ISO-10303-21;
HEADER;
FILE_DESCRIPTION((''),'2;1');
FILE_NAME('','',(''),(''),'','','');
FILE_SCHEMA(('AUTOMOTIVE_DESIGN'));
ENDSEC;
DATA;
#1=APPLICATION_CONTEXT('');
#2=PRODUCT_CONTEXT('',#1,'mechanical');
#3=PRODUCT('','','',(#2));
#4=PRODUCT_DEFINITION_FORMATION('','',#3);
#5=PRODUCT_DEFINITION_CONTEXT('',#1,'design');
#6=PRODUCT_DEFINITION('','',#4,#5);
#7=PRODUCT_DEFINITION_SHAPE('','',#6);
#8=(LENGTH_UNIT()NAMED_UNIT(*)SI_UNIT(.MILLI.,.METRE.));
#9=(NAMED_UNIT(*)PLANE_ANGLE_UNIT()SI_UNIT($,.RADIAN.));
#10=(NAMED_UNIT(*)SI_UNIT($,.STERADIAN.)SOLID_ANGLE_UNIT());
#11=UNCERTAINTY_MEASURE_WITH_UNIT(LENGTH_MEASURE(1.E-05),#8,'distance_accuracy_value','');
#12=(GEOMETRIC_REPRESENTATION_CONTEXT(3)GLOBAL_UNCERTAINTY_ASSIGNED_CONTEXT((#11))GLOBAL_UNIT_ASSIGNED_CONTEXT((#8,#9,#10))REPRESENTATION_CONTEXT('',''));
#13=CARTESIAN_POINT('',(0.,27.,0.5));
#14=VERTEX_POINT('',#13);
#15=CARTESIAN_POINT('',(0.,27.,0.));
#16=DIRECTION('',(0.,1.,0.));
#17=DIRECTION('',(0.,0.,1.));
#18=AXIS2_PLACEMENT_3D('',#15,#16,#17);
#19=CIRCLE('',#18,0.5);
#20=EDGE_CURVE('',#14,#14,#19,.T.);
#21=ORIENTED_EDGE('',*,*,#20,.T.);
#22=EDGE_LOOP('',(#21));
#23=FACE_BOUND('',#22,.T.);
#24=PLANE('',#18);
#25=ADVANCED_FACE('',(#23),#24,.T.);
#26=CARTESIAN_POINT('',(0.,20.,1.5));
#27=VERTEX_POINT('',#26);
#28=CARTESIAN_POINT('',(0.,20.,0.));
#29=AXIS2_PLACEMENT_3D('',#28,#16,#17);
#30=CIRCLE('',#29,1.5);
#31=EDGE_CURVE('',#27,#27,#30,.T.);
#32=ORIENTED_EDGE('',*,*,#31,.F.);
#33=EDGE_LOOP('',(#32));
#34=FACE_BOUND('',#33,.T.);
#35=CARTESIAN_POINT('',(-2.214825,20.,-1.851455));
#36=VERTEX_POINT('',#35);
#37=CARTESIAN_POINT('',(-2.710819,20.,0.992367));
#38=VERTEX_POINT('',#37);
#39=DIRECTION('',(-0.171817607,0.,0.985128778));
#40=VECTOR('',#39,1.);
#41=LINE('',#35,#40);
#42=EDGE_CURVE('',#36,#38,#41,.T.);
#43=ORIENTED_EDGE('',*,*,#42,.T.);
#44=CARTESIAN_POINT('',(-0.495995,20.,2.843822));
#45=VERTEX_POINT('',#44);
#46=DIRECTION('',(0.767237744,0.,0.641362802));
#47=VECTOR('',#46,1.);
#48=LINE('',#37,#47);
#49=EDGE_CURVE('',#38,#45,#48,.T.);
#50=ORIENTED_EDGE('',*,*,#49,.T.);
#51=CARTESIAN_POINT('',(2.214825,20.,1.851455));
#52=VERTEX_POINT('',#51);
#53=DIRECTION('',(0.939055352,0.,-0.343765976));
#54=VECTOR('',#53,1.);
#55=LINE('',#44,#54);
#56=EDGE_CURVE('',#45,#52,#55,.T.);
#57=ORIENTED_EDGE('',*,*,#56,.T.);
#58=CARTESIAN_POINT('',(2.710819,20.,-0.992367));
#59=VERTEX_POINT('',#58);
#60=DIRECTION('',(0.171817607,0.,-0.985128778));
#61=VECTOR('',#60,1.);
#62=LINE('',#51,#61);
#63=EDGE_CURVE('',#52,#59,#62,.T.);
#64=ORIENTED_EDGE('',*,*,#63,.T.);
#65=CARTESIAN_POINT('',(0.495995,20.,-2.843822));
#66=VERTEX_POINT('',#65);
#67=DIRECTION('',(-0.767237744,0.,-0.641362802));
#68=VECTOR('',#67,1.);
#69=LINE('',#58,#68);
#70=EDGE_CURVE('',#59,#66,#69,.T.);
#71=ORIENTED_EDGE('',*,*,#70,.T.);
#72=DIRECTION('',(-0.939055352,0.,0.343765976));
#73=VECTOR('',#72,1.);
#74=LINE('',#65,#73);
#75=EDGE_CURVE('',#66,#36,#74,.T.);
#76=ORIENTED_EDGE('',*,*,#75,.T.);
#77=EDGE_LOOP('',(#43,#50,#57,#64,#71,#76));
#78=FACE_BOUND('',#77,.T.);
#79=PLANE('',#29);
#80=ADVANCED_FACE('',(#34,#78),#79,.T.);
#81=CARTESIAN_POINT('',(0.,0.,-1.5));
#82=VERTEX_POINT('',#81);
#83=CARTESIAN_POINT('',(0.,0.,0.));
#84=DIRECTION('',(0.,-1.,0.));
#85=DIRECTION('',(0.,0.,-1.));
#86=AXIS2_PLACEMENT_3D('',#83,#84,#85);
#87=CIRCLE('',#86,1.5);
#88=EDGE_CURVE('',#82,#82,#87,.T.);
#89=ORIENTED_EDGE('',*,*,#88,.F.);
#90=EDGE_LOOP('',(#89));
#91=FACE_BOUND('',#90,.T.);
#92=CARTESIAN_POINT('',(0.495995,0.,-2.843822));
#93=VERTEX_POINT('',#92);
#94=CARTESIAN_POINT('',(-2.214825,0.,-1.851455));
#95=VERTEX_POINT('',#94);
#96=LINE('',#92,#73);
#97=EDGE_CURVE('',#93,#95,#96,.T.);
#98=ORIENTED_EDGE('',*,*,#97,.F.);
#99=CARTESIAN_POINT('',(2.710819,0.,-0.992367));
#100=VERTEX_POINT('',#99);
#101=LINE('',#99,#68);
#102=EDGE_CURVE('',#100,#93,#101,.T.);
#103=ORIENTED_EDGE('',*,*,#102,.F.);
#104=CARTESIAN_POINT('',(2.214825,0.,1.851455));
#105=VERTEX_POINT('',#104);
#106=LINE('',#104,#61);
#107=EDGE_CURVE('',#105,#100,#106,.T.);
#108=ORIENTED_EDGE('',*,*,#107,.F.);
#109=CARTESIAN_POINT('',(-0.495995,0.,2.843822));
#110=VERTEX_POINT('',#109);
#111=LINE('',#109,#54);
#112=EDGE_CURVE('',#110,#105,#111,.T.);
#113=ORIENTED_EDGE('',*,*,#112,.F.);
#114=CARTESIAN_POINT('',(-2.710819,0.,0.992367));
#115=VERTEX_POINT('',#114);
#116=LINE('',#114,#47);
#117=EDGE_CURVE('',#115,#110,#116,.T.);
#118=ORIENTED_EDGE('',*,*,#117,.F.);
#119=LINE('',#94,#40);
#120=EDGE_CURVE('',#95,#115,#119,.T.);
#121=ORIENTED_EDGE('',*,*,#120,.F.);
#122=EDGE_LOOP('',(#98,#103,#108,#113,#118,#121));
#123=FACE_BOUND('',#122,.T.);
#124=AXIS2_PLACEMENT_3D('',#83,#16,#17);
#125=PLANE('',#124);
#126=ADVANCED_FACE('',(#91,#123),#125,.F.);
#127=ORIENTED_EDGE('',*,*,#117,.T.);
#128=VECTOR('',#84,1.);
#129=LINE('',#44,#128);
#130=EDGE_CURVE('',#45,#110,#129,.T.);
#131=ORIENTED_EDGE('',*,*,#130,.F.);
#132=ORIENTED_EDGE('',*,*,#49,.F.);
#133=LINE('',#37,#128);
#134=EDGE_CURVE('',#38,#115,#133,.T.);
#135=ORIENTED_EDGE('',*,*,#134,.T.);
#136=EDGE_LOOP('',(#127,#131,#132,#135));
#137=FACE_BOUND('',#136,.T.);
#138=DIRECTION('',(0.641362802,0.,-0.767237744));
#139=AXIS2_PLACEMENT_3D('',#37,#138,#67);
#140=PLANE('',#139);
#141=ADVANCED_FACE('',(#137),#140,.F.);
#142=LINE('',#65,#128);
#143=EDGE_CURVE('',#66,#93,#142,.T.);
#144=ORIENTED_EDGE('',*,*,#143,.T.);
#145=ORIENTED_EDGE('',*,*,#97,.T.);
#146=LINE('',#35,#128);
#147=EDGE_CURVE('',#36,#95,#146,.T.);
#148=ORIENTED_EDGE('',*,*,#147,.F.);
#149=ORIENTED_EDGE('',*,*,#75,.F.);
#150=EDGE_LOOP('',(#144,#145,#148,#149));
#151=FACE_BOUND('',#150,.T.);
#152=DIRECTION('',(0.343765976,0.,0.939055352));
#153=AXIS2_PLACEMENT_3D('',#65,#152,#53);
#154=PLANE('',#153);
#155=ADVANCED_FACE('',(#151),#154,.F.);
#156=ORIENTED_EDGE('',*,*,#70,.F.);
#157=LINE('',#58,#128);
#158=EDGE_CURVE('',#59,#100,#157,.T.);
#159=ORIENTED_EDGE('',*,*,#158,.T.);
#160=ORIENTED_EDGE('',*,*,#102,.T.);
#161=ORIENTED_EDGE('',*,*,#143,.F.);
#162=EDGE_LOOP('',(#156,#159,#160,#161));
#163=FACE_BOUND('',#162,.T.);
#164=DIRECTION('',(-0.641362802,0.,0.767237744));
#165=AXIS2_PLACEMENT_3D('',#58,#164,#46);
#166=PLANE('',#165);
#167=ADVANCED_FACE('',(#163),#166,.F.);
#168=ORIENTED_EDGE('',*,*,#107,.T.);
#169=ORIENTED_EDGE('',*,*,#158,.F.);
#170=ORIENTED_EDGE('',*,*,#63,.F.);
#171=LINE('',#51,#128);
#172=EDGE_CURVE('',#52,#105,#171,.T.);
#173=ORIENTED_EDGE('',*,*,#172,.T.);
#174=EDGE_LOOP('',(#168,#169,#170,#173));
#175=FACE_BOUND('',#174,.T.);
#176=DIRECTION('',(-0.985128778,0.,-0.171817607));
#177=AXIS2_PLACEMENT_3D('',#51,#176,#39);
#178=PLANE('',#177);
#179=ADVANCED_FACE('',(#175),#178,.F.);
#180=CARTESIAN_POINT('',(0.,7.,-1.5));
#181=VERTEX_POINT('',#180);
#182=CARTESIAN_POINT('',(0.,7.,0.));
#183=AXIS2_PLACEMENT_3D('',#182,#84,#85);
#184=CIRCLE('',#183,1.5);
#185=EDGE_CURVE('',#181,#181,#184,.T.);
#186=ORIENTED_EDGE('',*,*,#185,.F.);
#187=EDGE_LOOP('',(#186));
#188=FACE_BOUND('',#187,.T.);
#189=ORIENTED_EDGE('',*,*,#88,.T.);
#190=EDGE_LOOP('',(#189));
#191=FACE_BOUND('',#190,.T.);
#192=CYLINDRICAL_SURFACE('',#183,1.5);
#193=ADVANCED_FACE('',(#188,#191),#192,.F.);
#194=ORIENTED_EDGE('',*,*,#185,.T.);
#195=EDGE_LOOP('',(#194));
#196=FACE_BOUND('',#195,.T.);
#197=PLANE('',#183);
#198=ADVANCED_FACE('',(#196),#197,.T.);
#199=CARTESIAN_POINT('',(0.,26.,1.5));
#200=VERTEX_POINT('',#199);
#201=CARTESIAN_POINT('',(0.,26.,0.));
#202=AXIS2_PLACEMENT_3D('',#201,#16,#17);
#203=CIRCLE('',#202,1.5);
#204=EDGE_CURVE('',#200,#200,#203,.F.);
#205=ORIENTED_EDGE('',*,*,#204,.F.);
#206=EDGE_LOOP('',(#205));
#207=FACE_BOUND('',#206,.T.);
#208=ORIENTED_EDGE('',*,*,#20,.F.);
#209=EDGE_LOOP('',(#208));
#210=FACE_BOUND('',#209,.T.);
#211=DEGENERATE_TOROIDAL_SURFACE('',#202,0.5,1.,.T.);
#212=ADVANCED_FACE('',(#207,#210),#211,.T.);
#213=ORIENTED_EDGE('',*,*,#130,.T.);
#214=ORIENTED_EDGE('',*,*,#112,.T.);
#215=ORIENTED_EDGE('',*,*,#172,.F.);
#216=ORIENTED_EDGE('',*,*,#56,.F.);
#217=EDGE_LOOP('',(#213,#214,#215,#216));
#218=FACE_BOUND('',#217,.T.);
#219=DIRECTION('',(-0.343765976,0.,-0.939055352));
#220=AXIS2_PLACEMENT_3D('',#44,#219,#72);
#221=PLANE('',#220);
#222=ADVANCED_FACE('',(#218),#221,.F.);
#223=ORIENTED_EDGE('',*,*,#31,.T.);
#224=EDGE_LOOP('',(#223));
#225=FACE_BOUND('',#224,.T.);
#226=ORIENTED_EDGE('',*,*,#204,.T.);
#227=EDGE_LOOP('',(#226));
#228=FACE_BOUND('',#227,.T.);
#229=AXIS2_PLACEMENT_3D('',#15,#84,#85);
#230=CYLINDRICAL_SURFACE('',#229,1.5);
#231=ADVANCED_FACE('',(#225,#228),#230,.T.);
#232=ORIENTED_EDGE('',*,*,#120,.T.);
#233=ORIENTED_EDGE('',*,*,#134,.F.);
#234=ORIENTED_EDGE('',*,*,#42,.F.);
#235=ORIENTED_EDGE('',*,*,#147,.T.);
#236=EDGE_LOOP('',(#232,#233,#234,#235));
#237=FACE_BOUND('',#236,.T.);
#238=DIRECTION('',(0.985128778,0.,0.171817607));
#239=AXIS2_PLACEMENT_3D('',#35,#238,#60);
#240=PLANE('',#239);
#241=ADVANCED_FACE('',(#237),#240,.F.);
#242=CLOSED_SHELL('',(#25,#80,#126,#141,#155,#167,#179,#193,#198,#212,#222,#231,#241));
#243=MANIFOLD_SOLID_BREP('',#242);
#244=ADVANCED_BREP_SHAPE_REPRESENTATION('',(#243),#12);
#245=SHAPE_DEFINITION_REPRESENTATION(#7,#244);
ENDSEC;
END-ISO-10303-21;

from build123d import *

# Parameters (mm, degrees)
BOSS_EXTRUDE1_DEPTH = 20
SKETCH2_R           = 1.5
BOSS_EXTRUDE2_DEPTH = 7
SKETCH3_R           = 1.5
CUT_EXTRUDE1_DEPTH  = 7
FILLET1_R           = 1


with BuildPart() as part:
    # Sketch1 → Boss-Extrude1 (new body)
    with BuildSketch(Plane(origin=(0, 0, 0), x_dir=(1, 0, 0), z_dir=(0, 1, 0))):
        Polygon((2.214824591, -1.851454932), (2.7108193, 0.992366895), (0.495994709, 2.843821827), (-2.214824591, 1.851454932), (-2.7108193, -0.992366895), (-0.495994709, -2.843821827), align=None)
    extrude(amount=BOSS_EXTRUDE1_DEPTH)

    # Sketch2 → Boss-Extrude2 (add)
    with BuildSketch(Plane(origin=(0, 20, 0), x_dir=(1, 0, 0), z_dir=(0, 1, 0))):
        Circle(SKETCH2_R)
    extrude(amount=BOSS_EXTRUDE2_DEPTH)

    # Sketch3 → Cut-Extrude1 (cut)
    with BuildSketch(Plane.XZ):
        Circle(SKETCH3_R)
    extrude(amount=-CUT_EXTRUDE1_DEPTH, mode=Mode.SUBTRACT)

    # Fillet1
    fillet1_edges = [part.edges().sort_by_distance(p)[0] for p in [
        (-1.5, 27, 0),
    ]]
    fillet(fillet1_edges, radius=FILLET1_R)


solid = part.part
